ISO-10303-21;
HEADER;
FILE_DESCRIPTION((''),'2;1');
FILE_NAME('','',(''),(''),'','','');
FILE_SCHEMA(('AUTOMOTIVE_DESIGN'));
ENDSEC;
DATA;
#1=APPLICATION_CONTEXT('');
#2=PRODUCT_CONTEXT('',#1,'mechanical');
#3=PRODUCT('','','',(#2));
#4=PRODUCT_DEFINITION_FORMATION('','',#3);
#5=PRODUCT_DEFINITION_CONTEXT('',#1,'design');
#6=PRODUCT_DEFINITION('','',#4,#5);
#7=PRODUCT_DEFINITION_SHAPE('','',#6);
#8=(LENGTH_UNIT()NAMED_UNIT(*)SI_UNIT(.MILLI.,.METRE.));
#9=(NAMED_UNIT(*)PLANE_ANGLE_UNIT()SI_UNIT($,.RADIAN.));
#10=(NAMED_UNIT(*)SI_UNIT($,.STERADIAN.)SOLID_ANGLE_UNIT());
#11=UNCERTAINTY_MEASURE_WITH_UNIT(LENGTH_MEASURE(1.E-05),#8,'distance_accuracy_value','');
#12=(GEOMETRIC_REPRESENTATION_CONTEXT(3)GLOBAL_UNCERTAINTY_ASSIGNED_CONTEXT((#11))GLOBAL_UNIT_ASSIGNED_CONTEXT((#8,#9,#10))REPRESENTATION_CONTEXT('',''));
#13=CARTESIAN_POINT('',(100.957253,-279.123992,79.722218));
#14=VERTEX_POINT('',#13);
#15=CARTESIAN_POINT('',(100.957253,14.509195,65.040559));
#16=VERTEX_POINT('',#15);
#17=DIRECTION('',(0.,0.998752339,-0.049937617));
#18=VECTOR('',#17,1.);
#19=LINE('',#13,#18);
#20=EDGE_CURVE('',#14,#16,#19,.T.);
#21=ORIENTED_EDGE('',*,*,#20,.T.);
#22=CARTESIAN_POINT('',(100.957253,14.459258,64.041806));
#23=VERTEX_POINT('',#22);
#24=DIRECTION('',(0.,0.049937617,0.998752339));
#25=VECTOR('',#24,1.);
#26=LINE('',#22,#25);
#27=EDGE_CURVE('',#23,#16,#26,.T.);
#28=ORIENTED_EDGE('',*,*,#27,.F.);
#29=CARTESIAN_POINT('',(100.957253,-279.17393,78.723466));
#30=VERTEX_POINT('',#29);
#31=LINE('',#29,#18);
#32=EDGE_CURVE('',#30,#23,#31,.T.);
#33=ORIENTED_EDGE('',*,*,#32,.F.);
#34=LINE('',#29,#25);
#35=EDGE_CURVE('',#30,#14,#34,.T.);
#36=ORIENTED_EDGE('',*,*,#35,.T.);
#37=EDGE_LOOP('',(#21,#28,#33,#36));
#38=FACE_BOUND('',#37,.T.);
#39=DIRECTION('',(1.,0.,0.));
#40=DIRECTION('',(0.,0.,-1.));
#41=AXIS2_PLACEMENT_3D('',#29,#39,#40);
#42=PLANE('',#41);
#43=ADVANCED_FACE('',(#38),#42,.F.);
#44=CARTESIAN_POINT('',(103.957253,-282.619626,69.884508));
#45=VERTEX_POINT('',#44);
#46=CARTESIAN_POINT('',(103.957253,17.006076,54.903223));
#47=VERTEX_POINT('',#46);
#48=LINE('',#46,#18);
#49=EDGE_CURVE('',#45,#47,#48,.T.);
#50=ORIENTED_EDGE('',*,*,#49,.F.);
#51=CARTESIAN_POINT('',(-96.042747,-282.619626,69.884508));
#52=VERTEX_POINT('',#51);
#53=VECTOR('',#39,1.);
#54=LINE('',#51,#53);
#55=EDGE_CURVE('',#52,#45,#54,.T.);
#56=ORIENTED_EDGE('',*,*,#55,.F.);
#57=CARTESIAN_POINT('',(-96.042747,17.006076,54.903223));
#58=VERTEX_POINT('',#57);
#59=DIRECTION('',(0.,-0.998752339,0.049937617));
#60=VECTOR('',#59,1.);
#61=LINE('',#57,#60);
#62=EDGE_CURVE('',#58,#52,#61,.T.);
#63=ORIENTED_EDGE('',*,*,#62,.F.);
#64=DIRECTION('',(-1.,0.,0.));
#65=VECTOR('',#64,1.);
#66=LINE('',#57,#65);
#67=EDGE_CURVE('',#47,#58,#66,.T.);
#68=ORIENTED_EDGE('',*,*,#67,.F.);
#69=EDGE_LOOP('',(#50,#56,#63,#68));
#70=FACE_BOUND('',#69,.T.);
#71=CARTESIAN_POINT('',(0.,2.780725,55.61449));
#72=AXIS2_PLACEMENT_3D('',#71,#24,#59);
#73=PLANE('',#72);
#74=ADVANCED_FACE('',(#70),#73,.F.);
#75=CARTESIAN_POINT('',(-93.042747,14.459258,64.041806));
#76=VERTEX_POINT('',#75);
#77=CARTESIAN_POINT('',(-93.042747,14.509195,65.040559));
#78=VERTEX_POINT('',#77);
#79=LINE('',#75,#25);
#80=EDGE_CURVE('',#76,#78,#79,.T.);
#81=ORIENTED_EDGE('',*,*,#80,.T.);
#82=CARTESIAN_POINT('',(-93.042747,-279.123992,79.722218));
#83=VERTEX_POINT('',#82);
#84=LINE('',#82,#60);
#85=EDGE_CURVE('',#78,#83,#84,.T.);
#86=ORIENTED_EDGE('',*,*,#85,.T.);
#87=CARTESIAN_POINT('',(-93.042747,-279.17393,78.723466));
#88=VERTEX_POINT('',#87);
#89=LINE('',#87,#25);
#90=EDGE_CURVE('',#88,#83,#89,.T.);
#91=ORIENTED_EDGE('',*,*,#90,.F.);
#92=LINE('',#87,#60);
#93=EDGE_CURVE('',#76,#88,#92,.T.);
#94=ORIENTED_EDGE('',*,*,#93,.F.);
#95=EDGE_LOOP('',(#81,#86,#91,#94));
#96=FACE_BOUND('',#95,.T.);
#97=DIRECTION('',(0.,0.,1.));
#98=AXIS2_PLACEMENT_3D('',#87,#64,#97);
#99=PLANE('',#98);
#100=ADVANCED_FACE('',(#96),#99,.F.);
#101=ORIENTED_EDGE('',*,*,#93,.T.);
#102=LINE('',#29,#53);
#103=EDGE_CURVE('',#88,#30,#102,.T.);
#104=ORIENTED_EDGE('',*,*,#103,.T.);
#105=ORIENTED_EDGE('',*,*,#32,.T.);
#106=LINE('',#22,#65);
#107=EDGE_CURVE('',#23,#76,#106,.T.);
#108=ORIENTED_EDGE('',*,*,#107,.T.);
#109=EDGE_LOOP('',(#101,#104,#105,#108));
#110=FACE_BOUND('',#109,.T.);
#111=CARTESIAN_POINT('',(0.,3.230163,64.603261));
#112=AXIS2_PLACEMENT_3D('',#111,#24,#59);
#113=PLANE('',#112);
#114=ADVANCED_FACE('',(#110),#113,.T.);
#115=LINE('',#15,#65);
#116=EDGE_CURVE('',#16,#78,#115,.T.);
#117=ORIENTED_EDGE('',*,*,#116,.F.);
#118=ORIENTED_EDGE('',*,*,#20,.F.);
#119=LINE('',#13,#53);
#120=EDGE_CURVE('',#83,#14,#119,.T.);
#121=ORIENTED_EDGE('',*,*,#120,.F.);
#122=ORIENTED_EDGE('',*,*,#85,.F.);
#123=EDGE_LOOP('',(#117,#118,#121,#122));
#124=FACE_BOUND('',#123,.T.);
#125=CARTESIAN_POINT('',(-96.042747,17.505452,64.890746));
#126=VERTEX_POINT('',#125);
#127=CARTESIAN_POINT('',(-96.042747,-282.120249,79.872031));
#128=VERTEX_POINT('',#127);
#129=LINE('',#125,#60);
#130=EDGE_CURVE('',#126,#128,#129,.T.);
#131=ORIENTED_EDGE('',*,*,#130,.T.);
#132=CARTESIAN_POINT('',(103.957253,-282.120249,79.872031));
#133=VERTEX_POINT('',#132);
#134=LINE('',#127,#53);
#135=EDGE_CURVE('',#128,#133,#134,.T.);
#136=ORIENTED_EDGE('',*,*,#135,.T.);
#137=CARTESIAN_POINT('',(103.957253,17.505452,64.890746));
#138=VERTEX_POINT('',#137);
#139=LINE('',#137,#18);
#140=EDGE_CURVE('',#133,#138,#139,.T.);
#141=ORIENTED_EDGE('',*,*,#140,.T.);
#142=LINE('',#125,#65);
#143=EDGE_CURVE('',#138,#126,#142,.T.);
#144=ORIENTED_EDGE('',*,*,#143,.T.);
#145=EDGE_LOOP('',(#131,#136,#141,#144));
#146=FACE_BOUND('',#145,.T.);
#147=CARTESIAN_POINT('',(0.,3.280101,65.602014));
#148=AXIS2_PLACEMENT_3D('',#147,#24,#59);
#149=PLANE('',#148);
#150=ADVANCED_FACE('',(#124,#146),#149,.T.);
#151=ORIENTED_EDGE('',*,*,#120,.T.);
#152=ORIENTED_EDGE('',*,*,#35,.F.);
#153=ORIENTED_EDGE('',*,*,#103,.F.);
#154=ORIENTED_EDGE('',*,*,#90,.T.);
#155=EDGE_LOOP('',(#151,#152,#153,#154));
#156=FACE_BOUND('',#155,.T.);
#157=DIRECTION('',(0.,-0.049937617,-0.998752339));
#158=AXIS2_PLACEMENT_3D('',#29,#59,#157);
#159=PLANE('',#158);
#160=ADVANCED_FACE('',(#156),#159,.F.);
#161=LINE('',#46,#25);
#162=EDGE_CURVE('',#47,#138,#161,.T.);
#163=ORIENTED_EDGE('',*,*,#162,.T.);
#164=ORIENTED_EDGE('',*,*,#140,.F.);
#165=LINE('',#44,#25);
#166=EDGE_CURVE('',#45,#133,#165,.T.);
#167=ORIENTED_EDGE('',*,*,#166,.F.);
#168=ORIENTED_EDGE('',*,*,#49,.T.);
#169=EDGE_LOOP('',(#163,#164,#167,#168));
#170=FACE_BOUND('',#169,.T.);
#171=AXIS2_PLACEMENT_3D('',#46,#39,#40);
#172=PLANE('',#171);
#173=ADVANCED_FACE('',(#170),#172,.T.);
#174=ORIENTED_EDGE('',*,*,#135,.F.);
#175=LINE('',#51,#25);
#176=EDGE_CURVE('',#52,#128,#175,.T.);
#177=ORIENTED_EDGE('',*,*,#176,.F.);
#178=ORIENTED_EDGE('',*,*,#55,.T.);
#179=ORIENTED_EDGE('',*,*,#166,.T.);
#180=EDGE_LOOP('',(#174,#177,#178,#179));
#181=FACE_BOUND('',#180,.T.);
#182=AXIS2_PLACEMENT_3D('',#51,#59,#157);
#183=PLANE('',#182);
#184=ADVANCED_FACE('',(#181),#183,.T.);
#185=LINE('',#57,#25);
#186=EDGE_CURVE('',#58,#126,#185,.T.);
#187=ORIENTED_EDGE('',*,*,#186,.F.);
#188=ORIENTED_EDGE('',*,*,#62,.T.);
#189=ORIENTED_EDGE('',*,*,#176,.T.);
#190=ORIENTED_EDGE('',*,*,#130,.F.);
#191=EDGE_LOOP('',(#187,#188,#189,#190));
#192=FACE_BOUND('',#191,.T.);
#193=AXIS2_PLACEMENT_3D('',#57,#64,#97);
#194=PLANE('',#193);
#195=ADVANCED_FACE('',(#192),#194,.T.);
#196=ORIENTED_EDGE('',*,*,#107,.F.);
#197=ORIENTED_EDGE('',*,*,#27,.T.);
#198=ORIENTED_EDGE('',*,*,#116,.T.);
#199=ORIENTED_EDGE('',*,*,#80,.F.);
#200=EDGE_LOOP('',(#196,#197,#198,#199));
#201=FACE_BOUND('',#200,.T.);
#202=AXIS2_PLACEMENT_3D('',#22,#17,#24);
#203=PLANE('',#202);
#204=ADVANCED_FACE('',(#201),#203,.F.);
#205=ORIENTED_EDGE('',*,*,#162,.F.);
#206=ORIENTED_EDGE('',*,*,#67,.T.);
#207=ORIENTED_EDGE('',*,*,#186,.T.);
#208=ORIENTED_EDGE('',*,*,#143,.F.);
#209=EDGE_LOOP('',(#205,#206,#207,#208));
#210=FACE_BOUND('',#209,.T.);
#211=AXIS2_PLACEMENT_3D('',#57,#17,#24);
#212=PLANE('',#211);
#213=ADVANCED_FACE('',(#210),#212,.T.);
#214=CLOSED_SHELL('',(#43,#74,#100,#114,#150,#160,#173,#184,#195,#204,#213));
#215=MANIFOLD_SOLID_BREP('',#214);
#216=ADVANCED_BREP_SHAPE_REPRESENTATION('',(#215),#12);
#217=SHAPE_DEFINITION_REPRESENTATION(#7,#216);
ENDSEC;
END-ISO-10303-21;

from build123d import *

# Parameters (mm, degrees)
BOSS_EXTRUDE1_DEPTH      = 5
BOSS_EXTRUDE1_DEPTH_BACK = 5
SKETCH2_W                = 200
SKETCH2_H                = 300
SKETCH4_W                = 194
SKETCH4_H                = 294
CUT_EXTRUDE1_DEPTH       = 1


with BuildPart() as part:
    # Sketch2 → Boss-Extrude1 (new, two sides: drawn at the far end of the back side and taken through both)
    with BuildSketch(Plane(origin=(0, 3.030412593, 60.608251865), x_dir=(1, 0, 0), z_dir=(0, 0.0499376169438969, 0.9987523388778444)).offset(-BOSS_EXTRUDE1_DEPTH_BACK)):
        with Locations((3.957252563, -135.75687777)):
            Rectangle(SKETCH2_W, SKETCH2_H)
    extrude(amount=BOSS_EXTRUDE1_DEPTH + BOSS_EXTRUDE1_DEPTH_BACK)

    # Sketch4 → Cut-Extrude1 (cut)
    with BuildSketch(Plane(origin=(0, 3.280100678, 65.60201356), x_dir=(1, 0, 0), z_dir=(0, 0.049937616943896895, 0.9987523388778444))):
        with Locations((3.957252563, -135.75687777)):
            Rectangle(SKETCH4_W, SKETCH4_H)
    extrude(amount=-CUT_EXTRUDE1_DEPTH, mode=Mode.SUBTRACT)


solid = part.part
